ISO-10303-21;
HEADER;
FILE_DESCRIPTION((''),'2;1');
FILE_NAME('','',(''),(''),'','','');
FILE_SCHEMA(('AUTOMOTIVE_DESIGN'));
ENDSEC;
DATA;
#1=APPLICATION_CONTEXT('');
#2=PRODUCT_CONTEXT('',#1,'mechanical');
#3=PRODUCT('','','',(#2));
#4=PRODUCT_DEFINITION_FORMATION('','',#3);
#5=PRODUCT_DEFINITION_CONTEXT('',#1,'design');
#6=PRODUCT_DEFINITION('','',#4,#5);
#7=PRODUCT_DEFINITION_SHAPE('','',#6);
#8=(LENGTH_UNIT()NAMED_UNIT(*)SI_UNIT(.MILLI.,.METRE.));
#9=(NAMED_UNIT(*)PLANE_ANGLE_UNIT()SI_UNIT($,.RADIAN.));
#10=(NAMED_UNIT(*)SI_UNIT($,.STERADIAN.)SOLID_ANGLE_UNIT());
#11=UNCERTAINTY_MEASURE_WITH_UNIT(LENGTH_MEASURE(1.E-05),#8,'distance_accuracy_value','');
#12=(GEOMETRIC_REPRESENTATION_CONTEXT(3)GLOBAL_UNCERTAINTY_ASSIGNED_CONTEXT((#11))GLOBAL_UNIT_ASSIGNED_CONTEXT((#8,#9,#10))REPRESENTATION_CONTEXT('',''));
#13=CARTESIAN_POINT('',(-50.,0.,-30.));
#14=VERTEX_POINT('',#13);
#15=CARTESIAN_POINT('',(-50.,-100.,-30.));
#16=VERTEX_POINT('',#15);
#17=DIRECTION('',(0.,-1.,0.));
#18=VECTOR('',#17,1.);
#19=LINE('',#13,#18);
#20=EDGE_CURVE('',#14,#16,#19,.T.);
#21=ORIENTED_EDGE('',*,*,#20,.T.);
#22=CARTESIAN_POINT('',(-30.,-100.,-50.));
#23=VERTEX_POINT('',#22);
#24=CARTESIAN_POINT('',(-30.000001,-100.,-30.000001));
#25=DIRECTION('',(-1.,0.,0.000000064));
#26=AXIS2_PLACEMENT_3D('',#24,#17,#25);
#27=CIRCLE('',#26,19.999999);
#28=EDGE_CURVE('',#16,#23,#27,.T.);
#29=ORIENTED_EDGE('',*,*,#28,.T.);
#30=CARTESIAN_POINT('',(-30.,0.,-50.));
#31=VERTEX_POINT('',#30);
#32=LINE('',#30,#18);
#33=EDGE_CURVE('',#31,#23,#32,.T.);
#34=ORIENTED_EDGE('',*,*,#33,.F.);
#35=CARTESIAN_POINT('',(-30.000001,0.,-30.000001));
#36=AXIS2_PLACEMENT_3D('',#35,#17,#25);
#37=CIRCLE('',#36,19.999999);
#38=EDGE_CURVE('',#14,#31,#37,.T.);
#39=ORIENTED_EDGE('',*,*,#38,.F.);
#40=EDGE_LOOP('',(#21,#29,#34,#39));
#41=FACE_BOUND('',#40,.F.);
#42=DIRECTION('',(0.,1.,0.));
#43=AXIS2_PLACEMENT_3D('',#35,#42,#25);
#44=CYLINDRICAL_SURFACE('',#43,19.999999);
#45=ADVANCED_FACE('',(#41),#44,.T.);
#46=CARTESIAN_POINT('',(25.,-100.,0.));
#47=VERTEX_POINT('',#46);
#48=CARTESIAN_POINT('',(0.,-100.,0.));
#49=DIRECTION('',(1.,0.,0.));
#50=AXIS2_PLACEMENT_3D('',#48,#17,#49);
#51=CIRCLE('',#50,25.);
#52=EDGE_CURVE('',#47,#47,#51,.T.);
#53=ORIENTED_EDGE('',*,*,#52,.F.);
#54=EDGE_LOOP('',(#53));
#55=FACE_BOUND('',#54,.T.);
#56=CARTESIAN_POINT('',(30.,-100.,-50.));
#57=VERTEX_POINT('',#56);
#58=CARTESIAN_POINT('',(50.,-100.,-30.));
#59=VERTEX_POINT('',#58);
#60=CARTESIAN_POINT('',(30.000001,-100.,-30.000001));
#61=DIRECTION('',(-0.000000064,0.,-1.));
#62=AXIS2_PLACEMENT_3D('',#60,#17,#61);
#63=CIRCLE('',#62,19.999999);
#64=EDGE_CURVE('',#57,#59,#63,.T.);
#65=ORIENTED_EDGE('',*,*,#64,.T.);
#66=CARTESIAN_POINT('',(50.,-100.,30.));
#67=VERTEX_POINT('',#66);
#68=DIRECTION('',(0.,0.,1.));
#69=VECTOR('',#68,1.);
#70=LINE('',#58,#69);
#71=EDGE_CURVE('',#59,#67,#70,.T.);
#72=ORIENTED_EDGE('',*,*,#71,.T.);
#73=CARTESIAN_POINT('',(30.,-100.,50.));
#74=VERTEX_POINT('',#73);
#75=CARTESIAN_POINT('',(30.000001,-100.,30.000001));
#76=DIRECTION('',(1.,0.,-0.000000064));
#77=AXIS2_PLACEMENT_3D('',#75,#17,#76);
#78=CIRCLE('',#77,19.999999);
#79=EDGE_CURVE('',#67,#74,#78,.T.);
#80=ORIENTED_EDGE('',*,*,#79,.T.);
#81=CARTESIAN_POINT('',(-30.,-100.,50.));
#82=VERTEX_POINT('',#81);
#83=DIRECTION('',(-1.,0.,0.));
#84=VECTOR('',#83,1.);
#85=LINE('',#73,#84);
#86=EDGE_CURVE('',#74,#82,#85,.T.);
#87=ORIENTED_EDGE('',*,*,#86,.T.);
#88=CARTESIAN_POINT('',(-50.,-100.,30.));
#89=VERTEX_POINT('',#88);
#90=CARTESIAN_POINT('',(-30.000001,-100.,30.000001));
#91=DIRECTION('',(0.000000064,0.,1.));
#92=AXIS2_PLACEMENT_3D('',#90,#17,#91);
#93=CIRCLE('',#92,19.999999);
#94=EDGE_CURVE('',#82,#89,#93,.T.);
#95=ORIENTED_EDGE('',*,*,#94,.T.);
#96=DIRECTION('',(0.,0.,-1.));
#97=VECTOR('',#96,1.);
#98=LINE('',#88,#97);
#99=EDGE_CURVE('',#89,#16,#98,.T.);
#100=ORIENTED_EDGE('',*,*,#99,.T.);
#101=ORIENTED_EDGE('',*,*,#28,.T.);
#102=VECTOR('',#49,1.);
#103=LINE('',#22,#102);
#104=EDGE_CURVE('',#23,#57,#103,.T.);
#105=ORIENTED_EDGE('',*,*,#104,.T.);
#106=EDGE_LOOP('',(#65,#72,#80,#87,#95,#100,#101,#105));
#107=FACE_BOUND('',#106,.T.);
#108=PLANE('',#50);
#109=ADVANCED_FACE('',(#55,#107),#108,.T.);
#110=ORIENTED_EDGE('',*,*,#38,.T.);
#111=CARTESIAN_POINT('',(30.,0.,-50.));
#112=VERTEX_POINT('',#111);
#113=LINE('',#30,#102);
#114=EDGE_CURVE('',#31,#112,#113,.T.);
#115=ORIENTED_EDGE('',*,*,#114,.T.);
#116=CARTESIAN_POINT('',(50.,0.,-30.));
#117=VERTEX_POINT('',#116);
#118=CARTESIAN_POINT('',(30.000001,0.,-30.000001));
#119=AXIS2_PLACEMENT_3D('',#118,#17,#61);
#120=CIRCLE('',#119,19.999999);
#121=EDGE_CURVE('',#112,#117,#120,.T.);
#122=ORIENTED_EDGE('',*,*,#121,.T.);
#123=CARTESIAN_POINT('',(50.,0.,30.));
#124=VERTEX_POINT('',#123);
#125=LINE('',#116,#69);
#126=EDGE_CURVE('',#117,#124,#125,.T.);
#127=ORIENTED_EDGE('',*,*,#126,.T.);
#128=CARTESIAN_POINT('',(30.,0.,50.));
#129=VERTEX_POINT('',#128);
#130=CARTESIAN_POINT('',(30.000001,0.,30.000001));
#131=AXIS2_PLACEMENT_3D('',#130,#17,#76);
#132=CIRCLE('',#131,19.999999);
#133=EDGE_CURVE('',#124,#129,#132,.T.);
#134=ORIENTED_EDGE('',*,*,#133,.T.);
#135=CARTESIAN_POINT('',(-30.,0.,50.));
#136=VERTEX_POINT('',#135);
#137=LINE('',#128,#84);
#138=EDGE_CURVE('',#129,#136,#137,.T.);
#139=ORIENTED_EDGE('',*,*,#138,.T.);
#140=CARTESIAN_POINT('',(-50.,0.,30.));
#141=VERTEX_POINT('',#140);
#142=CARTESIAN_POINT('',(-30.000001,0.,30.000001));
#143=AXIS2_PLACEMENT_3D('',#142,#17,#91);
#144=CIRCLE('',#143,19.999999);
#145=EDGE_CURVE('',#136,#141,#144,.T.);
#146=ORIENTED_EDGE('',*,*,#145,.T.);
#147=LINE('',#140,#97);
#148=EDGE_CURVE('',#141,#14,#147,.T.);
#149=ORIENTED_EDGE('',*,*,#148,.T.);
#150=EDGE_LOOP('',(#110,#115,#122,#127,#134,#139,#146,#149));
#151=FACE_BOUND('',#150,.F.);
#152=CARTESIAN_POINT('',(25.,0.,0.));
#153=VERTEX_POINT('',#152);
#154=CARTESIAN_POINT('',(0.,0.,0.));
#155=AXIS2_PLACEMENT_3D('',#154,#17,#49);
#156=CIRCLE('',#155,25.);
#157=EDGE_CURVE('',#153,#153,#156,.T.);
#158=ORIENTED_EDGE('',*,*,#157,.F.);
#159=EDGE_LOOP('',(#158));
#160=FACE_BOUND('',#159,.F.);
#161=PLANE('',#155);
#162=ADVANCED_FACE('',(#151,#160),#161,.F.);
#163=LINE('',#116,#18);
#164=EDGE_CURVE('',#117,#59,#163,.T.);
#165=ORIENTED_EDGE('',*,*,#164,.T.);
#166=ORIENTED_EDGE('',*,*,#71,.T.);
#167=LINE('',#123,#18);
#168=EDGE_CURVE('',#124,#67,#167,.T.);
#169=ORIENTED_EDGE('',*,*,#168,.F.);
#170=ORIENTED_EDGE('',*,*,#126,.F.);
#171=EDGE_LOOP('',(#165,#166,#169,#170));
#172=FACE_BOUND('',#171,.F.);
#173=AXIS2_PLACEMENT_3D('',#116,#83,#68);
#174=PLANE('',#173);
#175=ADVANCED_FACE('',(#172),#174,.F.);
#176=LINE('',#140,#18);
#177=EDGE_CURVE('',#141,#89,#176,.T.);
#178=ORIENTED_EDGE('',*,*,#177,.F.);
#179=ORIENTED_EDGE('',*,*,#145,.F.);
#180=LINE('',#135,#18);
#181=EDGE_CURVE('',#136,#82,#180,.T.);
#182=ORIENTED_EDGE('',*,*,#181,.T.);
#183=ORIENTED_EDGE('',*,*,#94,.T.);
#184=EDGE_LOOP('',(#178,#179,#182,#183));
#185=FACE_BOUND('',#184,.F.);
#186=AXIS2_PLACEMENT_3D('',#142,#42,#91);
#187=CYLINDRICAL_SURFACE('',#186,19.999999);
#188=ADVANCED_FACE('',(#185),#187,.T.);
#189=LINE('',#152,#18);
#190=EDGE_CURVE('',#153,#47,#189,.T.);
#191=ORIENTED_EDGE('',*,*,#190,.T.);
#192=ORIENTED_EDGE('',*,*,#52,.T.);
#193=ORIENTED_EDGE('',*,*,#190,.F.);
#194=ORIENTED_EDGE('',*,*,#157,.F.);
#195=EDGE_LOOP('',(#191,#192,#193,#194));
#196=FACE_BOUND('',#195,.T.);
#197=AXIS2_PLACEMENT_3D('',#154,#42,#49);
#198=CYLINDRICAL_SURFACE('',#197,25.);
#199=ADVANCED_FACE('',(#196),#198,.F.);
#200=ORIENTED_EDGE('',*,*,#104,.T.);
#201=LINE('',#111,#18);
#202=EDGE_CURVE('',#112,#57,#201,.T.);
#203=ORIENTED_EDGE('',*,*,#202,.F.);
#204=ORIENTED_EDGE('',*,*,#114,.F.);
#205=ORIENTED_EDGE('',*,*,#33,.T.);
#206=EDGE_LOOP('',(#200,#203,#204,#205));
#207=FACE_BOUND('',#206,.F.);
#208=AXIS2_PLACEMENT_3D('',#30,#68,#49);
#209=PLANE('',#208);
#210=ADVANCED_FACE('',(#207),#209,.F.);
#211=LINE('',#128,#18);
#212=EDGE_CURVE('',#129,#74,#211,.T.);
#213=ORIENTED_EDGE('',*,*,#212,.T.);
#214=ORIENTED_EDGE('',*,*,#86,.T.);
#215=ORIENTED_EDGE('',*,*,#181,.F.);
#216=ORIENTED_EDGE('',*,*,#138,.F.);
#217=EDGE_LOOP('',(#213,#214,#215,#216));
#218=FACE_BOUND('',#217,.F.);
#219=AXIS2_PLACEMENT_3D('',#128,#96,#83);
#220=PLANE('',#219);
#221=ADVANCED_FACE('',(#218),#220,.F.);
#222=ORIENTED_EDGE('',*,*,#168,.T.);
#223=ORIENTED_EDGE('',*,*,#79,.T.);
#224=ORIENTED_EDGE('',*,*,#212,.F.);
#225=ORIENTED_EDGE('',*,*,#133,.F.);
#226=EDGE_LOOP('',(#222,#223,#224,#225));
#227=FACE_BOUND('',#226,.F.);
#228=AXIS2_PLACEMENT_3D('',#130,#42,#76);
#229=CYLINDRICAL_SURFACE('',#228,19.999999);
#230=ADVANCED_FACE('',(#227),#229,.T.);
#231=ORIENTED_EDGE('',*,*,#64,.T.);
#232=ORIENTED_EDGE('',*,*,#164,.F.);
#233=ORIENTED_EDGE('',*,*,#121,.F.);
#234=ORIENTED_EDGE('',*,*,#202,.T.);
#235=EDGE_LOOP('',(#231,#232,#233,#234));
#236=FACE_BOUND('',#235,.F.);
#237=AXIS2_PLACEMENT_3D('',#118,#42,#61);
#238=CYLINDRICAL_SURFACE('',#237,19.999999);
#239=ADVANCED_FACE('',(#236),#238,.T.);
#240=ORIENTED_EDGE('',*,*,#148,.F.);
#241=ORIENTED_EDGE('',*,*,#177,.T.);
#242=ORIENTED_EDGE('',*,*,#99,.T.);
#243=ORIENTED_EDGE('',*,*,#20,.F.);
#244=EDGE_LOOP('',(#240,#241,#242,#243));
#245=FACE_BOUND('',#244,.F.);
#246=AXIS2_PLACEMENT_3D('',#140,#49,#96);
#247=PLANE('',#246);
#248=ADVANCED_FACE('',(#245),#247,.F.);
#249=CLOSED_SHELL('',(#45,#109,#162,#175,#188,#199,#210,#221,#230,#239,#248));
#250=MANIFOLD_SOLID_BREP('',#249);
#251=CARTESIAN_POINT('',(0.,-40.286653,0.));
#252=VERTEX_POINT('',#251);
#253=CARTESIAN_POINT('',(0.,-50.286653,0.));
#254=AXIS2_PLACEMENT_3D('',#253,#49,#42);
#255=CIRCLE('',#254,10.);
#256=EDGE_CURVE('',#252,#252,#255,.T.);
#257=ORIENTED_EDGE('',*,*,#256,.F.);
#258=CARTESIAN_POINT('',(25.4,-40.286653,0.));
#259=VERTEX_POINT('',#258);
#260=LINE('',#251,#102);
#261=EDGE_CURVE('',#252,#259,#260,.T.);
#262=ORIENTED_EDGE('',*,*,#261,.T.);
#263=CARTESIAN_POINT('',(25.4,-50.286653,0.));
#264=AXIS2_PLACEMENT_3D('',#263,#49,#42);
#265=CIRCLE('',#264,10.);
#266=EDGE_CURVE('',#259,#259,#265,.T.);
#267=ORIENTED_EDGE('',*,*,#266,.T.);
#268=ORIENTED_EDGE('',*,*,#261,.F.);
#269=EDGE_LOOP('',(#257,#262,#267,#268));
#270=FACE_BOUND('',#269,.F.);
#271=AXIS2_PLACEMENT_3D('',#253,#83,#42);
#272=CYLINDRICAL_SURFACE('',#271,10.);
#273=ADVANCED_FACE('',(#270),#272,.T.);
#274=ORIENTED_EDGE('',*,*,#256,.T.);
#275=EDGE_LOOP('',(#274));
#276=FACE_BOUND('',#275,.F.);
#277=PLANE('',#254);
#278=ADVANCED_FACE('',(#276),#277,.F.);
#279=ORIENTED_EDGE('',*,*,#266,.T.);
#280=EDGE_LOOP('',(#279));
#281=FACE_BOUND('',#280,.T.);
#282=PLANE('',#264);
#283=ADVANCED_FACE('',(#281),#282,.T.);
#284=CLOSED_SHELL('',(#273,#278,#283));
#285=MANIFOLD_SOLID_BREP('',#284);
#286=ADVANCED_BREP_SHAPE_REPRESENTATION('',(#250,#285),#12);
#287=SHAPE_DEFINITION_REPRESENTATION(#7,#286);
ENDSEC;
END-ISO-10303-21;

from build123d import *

# Parameters (mm, degrees)
F0_R     = 25
F1_DEPTH = 100
F2_R     = 10
F3_DEPTH = 25.4


with BuildPart() as f1:
    # F0 (on Front) → F1 (new body)
    with BuildSketch(Plane.XZ):
        with BuildLine():
            ThreePointArc((50, 30), (44.142136, 44.142136), (30, 50))
            Line((30, 50), (-30, 50))
            ThreePointArc((-30, 50), (-44.142136, 44.142136), (-50, 30))
            Line((-50, 30), (-50, -30))
            ThreePointArc((-50, -30), (-44.142136, -44.142136), (-30, -50))
            Line((-30, -50), (30, -50))
            ThreePointArc((30, -50), (44.142136, -44.142136), (50, -30))
            Line((50, -30), (50, 30))
        make_face()
        Circle(F0_R, mode=Mode.SUBTRACT)
    extrude(amount=F1_DEPTH)


with BuildPart() as f3:
    # F2 (on Right) → F3 (new body)
    with BuildSketch(Plane.YZ):
        with Locations((-50.286653, 0)):
            Circle(F2_R)
    extrude(amount=F3_DEPTH)


solid = Compound([f1.part, f3.part])
